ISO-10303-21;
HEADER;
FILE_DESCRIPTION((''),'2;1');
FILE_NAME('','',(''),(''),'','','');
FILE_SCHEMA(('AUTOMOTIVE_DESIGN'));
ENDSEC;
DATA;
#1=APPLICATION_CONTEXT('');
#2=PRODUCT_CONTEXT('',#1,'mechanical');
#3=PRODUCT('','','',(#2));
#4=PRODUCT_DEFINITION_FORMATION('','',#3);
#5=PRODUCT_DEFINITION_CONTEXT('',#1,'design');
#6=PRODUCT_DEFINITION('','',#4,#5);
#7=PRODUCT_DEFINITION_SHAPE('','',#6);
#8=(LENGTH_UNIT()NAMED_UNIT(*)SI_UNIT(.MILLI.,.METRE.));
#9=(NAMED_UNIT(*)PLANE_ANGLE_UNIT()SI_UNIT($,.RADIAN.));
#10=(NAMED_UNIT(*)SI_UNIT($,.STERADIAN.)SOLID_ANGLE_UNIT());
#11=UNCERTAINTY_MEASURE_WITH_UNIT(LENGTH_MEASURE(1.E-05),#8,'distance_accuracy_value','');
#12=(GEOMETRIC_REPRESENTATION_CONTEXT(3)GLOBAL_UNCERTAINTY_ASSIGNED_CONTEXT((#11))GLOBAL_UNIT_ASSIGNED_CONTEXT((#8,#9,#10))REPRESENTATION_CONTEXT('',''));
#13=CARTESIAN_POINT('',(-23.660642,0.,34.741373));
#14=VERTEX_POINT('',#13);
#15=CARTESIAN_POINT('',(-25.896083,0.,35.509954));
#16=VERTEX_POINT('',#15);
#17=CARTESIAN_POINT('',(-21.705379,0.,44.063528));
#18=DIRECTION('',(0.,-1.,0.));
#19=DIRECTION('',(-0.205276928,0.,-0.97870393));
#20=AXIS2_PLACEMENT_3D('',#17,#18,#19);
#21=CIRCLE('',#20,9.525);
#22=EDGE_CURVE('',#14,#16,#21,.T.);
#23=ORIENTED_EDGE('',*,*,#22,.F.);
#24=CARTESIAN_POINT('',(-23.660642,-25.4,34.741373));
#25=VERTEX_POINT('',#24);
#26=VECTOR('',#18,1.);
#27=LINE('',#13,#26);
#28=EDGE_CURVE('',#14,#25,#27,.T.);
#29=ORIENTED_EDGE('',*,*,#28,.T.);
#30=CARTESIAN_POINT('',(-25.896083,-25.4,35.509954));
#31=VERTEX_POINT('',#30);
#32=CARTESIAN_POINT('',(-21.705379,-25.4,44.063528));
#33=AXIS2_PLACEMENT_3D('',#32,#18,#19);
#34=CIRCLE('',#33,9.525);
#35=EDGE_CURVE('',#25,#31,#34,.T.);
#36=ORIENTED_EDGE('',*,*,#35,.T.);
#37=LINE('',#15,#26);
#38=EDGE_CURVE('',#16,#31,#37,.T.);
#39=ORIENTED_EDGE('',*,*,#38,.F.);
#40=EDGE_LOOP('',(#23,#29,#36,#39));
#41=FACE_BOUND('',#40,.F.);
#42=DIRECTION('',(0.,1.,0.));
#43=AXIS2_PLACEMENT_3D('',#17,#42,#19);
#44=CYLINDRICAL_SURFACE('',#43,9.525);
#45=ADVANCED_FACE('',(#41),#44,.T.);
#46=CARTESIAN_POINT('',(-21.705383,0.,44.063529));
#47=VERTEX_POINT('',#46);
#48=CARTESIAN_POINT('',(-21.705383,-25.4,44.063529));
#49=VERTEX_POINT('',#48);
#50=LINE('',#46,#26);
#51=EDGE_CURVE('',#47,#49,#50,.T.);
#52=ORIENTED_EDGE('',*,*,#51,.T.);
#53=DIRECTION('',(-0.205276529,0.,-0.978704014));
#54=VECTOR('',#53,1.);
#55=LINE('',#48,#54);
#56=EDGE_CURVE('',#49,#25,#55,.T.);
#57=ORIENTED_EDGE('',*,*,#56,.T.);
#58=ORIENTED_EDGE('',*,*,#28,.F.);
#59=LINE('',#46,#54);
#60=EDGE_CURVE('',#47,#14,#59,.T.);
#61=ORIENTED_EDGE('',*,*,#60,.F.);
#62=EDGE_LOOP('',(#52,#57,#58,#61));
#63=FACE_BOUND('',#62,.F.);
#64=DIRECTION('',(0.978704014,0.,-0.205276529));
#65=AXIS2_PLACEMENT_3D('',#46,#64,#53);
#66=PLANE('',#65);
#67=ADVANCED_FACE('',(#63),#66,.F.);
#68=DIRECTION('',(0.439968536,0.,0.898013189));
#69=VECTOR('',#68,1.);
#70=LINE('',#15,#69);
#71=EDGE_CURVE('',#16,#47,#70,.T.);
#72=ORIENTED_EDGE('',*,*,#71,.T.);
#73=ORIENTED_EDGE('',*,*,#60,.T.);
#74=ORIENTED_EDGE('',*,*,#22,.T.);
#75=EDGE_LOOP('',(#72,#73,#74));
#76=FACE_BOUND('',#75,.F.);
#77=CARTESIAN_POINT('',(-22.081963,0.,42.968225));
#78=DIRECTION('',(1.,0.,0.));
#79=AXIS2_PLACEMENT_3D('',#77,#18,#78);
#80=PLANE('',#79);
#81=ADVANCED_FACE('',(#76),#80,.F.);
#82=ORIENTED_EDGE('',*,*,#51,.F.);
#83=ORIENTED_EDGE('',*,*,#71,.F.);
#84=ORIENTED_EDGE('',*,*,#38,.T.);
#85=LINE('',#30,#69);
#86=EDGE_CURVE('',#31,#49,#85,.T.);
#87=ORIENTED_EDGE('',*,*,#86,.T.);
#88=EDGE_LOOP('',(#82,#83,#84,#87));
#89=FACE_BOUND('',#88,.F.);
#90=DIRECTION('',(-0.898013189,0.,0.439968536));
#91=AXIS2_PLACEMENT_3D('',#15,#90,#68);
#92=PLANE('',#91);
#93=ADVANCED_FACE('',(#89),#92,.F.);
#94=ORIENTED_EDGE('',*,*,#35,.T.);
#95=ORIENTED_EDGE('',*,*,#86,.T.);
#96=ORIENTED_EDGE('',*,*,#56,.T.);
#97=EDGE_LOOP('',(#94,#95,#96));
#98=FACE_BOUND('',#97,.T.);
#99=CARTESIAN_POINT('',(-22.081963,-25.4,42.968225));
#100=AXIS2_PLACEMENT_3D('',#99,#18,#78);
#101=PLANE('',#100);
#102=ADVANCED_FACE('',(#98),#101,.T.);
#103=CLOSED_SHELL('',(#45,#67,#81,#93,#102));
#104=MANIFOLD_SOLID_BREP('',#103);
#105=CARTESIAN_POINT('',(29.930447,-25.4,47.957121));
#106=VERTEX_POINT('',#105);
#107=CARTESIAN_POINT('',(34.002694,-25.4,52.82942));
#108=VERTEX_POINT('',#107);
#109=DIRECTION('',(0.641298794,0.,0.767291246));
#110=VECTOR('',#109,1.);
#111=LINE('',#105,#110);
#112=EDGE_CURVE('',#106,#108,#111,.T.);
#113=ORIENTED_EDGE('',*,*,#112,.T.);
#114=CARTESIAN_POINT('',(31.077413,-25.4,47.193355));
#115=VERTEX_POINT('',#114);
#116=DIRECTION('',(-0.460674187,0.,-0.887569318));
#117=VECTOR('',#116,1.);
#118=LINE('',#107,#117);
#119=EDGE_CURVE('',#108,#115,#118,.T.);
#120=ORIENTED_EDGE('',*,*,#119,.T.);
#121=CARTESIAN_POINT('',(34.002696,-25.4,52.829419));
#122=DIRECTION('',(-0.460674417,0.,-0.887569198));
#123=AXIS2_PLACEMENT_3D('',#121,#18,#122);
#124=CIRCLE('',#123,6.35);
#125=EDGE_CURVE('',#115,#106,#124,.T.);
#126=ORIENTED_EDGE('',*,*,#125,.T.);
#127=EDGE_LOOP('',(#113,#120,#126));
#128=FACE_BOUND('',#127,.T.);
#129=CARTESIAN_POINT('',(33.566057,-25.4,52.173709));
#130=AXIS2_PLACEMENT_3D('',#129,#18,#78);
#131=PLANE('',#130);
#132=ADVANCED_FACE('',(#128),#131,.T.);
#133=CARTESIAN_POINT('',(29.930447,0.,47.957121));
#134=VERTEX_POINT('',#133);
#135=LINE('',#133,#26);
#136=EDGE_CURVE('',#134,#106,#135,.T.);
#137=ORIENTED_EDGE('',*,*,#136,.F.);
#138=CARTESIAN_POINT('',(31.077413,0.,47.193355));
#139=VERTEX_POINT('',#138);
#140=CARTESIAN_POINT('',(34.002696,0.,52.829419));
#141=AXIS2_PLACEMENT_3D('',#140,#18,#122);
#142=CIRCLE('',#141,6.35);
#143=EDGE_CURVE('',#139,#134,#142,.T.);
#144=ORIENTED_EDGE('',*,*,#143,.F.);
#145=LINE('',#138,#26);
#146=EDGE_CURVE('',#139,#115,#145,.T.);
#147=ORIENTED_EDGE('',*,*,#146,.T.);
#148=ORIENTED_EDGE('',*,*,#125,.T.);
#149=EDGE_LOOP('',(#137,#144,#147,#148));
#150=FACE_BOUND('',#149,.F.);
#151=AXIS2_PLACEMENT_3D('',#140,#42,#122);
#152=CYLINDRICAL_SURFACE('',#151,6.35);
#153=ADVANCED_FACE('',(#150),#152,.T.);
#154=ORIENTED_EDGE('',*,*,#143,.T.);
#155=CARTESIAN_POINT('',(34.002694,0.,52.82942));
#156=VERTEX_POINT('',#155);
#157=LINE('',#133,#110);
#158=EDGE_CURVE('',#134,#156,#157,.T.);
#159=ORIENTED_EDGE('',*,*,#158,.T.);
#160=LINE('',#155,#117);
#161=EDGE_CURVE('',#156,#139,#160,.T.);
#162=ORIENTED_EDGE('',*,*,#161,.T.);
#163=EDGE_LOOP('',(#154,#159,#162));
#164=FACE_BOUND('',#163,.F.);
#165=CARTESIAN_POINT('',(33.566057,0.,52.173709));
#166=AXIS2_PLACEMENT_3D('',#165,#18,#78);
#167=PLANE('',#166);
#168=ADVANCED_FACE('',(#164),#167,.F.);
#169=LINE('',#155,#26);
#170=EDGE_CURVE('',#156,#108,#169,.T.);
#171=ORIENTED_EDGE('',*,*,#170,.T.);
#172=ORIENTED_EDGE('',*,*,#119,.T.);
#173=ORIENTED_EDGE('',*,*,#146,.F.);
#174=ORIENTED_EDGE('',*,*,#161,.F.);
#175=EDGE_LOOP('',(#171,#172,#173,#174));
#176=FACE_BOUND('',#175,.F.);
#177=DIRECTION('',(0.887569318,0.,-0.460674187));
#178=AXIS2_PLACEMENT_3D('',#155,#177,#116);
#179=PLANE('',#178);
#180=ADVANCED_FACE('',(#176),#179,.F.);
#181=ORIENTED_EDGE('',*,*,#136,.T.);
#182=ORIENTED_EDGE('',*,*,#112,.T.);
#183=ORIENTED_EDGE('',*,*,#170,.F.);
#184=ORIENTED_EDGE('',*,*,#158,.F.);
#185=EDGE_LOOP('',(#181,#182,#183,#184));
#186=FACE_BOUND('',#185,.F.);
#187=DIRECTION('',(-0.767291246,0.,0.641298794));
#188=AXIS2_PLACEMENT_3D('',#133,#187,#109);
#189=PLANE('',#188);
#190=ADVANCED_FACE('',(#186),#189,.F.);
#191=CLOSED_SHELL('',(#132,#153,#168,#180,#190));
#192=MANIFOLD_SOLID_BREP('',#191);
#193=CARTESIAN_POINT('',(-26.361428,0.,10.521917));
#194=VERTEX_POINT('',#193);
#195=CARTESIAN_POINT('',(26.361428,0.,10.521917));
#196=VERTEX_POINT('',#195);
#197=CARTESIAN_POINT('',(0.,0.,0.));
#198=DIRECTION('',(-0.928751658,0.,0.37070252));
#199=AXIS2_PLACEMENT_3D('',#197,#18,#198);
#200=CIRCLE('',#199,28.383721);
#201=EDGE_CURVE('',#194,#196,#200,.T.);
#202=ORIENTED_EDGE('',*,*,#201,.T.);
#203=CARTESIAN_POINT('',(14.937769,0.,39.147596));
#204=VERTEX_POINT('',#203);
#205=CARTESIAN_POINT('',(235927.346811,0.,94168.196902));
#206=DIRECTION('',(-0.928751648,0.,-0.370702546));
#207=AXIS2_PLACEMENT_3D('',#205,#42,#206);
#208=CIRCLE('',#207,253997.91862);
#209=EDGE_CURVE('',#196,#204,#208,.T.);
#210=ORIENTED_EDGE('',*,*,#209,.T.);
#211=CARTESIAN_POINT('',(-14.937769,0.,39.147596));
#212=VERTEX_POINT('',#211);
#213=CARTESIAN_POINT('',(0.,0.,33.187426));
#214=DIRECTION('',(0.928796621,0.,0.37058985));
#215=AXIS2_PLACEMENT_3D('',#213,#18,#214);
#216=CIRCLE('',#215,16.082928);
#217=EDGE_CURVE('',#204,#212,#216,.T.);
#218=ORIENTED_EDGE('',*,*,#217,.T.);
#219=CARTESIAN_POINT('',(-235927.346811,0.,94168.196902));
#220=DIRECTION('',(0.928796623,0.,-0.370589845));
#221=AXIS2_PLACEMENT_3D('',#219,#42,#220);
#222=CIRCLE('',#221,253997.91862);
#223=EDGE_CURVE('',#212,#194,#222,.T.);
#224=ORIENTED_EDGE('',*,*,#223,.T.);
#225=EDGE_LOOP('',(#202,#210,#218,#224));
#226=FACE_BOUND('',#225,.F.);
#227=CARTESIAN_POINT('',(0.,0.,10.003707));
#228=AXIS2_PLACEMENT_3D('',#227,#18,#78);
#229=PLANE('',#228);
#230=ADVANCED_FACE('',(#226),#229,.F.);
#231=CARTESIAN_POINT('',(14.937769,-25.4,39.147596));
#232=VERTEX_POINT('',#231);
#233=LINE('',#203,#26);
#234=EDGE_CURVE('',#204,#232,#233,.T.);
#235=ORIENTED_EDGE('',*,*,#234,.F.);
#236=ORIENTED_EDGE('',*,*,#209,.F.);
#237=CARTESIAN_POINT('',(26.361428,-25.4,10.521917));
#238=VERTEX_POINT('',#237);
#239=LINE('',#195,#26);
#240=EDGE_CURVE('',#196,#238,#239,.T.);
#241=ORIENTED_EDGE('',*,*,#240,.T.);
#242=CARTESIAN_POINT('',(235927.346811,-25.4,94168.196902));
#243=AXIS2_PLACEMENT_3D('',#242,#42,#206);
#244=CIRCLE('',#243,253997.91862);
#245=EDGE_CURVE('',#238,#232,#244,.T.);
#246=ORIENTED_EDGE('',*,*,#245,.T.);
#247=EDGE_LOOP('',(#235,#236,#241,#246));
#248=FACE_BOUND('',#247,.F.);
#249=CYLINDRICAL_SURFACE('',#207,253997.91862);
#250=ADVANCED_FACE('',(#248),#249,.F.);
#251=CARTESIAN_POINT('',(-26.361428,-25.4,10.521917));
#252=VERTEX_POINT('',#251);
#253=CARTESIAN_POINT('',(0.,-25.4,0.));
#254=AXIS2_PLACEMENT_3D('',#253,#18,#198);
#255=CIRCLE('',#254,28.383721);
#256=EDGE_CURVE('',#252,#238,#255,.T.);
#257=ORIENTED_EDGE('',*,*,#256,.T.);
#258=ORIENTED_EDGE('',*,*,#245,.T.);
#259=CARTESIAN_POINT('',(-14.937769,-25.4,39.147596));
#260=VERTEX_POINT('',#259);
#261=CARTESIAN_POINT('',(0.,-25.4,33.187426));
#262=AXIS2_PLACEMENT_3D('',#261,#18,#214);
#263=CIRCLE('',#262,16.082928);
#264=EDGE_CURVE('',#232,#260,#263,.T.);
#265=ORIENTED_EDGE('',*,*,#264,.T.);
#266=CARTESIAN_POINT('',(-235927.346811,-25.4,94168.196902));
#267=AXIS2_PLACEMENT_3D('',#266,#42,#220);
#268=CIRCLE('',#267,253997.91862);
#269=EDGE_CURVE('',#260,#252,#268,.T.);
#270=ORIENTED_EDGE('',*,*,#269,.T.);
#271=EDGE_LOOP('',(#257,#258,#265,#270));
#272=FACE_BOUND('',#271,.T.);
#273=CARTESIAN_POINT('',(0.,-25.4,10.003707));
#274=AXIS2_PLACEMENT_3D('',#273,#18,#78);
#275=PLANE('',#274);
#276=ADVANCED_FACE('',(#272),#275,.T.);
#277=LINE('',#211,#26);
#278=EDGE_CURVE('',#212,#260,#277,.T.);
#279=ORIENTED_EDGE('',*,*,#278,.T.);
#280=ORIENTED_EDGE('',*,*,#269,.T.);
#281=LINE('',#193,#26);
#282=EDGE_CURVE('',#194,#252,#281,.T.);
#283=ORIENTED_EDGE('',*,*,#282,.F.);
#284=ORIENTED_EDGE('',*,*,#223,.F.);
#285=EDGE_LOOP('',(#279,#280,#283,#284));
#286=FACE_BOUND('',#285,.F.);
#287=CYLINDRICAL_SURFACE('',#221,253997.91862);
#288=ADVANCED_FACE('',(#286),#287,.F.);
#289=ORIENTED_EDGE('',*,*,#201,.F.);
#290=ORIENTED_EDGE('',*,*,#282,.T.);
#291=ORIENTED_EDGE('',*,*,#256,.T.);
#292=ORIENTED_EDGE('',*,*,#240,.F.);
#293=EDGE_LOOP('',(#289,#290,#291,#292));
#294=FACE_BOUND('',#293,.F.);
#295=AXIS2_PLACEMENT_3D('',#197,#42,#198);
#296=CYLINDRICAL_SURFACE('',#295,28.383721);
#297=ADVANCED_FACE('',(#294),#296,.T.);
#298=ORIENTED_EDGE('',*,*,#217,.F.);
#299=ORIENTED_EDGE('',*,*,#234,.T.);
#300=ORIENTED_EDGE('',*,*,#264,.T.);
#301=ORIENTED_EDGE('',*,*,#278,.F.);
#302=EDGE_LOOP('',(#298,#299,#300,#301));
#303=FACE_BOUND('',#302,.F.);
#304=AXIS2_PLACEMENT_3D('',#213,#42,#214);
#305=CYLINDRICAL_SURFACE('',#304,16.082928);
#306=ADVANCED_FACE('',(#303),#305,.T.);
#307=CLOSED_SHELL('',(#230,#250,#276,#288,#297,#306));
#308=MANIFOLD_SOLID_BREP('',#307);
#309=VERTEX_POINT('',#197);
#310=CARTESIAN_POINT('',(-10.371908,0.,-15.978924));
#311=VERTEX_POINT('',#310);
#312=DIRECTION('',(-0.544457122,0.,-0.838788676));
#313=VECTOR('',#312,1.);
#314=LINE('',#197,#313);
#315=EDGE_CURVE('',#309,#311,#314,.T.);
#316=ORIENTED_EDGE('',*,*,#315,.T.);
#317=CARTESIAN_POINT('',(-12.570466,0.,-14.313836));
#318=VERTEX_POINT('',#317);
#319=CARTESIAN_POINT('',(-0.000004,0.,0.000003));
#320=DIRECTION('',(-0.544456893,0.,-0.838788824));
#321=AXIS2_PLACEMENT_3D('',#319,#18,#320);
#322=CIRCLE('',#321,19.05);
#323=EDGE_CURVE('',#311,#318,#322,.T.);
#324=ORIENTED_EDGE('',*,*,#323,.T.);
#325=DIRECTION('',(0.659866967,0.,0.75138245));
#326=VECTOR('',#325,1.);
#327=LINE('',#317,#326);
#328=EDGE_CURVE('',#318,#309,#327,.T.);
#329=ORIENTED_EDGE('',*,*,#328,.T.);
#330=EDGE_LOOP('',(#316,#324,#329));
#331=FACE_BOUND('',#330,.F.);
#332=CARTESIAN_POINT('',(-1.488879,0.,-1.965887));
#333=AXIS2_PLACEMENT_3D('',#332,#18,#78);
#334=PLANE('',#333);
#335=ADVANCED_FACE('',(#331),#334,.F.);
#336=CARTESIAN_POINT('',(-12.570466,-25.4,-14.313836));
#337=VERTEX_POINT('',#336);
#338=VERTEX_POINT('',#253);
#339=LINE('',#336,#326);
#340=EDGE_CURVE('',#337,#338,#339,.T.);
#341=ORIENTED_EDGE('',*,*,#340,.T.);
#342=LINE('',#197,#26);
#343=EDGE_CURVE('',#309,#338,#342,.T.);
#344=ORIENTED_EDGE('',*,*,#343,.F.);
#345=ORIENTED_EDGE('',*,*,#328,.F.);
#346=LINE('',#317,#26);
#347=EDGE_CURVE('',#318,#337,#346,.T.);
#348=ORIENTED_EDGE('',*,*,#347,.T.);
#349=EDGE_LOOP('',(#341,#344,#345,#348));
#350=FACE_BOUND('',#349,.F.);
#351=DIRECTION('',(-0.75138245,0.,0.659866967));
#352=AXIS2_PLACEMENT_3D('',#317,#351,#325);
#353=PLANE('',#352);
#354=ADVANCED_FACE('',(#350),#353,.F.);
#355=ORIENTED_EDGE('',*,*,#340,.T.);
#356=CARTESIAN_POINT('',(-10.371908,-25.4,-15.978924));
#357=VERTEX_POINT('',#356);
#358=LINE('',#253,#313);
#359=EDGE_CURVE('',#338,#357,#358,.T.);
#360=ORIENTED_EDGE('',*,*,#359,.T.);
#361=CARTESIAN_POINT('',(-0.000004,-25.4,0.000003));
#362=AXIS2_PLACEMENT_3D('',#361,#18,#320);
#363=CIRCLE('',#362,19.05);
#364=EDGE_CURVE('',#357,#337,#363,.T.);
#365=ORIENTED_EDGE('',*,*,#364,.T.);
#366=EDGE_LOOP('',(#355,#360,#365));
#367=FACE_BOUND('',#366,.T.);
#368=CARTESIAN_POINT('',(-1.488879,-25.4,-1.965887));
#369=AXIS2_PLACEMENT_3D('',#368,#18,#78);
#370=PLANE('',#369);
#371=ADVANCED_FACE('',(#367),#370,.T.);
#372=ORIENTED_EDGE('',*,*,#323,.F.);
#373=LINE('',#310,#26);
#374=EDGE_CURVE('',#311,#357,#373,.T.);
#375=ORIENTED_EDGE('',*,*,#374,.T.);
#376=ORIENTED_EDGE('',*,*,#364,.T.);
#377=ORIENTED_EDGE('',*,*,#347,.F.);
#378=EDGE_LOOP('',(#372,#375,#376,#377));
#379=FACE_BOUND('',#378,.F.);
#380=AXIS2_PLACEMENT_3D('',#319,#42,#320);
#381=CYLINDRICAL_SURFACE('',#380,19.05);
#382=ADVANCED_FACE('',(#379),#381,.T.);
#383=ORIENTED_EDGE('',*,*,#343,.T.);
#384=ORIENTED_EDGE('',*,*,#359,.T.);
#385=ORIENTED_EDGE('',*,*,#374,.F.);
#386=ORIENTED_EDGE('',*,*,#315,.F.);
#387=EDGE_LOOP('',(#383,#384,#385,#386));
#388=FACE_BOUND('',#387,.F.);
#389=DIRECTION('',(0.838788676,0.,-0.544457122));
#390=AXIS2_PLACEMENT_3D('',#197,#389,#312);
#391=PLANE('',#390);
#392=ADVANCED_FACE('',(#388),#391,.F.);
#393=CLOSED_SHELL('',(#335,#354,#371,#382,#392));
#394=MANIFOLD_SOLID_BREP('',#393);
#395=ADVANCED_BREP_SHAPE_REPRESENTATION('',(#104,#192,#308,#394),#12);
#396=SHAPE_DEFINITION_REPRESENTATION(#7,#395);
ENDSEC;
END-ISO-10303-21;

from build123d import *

# Parameters (mm, degrees)
F1_DEPTH = 25.4
F2_DEPTH = 25.4
F3_DEPTH = 25.4
F5_DEPTH = 25.4


with BuildPart() as f1:
    # F0 (on Front) → F1 (new body)
    with BuildSketch(Plane.XZ):
        with BuildLine():
            Line((0, 0), (-10.371908, -15.978924))
            ThreePointArc((-10.371908, -15.978924), (11.501359, 15.186219), (-12.570466, -14.313836))
            Line((-12.570466, -14.313836), (0, 0))
        make_face()
    extrude(amount=F1_DEPTH)


with BuildPart() as f2:
    # F0 (on Front) → F2 (new body)
    with BuildSketch(Plane.XZ):
        with BuildLine():
            Line((-21.705383, 44.063529), (-23.660642, 34.741373))
            ThreePointArc((-23.660642, 34.741373), (-18.608467, 53.071011), (-25.896083, 35.509954))
            Line((-25.896083, 35.509954), (-21.705383, 44.063529))
        make_face()
    extrude(amount=F2_DEPTH)


with BuildPart() as f3:
    # F0 (on Front) → F3 (new body)
    with BuildSketch(Plane.XZ):
        with BuildLine():
            Line((34.002694, 52.82942), (31.077413, 47.193355))
            ThreePointArc((31.077413, 47.193355), (37.522238, 58.114807), (29.930447, 47.957121))
            Line((29.930447, 47.957121), (34.002694, 52.82942))
        make_face()
    extrude(amount=F3_DEPTH)


with BuildPart() as f5:
    # F4 (on Front) → F5 (new body)
    with BuildSketch(Plane.XZ):
        with BuildLine():
            ThreePointArc((-14.937769, 39.147596), (-20.649164, 24.834584), (-26.361428, 10.521917))
            ThreePointArc((-26.361428, 10.521917), (0, -28.383721), (26.361428, 10.521917))
            ThreePointArc((26.361428, 10.521917), (20.649164, 24.834584), (14.937769, 39.147596))
            ThreePointArc((14.937769, 39.147596), (0, 49.270354), (-14.937769, 39.147596))
        make_face()
    extrude(amount=F5_DEPTH)


solid = Compound([f1.part, f2.part, f3.part, f5.part])
